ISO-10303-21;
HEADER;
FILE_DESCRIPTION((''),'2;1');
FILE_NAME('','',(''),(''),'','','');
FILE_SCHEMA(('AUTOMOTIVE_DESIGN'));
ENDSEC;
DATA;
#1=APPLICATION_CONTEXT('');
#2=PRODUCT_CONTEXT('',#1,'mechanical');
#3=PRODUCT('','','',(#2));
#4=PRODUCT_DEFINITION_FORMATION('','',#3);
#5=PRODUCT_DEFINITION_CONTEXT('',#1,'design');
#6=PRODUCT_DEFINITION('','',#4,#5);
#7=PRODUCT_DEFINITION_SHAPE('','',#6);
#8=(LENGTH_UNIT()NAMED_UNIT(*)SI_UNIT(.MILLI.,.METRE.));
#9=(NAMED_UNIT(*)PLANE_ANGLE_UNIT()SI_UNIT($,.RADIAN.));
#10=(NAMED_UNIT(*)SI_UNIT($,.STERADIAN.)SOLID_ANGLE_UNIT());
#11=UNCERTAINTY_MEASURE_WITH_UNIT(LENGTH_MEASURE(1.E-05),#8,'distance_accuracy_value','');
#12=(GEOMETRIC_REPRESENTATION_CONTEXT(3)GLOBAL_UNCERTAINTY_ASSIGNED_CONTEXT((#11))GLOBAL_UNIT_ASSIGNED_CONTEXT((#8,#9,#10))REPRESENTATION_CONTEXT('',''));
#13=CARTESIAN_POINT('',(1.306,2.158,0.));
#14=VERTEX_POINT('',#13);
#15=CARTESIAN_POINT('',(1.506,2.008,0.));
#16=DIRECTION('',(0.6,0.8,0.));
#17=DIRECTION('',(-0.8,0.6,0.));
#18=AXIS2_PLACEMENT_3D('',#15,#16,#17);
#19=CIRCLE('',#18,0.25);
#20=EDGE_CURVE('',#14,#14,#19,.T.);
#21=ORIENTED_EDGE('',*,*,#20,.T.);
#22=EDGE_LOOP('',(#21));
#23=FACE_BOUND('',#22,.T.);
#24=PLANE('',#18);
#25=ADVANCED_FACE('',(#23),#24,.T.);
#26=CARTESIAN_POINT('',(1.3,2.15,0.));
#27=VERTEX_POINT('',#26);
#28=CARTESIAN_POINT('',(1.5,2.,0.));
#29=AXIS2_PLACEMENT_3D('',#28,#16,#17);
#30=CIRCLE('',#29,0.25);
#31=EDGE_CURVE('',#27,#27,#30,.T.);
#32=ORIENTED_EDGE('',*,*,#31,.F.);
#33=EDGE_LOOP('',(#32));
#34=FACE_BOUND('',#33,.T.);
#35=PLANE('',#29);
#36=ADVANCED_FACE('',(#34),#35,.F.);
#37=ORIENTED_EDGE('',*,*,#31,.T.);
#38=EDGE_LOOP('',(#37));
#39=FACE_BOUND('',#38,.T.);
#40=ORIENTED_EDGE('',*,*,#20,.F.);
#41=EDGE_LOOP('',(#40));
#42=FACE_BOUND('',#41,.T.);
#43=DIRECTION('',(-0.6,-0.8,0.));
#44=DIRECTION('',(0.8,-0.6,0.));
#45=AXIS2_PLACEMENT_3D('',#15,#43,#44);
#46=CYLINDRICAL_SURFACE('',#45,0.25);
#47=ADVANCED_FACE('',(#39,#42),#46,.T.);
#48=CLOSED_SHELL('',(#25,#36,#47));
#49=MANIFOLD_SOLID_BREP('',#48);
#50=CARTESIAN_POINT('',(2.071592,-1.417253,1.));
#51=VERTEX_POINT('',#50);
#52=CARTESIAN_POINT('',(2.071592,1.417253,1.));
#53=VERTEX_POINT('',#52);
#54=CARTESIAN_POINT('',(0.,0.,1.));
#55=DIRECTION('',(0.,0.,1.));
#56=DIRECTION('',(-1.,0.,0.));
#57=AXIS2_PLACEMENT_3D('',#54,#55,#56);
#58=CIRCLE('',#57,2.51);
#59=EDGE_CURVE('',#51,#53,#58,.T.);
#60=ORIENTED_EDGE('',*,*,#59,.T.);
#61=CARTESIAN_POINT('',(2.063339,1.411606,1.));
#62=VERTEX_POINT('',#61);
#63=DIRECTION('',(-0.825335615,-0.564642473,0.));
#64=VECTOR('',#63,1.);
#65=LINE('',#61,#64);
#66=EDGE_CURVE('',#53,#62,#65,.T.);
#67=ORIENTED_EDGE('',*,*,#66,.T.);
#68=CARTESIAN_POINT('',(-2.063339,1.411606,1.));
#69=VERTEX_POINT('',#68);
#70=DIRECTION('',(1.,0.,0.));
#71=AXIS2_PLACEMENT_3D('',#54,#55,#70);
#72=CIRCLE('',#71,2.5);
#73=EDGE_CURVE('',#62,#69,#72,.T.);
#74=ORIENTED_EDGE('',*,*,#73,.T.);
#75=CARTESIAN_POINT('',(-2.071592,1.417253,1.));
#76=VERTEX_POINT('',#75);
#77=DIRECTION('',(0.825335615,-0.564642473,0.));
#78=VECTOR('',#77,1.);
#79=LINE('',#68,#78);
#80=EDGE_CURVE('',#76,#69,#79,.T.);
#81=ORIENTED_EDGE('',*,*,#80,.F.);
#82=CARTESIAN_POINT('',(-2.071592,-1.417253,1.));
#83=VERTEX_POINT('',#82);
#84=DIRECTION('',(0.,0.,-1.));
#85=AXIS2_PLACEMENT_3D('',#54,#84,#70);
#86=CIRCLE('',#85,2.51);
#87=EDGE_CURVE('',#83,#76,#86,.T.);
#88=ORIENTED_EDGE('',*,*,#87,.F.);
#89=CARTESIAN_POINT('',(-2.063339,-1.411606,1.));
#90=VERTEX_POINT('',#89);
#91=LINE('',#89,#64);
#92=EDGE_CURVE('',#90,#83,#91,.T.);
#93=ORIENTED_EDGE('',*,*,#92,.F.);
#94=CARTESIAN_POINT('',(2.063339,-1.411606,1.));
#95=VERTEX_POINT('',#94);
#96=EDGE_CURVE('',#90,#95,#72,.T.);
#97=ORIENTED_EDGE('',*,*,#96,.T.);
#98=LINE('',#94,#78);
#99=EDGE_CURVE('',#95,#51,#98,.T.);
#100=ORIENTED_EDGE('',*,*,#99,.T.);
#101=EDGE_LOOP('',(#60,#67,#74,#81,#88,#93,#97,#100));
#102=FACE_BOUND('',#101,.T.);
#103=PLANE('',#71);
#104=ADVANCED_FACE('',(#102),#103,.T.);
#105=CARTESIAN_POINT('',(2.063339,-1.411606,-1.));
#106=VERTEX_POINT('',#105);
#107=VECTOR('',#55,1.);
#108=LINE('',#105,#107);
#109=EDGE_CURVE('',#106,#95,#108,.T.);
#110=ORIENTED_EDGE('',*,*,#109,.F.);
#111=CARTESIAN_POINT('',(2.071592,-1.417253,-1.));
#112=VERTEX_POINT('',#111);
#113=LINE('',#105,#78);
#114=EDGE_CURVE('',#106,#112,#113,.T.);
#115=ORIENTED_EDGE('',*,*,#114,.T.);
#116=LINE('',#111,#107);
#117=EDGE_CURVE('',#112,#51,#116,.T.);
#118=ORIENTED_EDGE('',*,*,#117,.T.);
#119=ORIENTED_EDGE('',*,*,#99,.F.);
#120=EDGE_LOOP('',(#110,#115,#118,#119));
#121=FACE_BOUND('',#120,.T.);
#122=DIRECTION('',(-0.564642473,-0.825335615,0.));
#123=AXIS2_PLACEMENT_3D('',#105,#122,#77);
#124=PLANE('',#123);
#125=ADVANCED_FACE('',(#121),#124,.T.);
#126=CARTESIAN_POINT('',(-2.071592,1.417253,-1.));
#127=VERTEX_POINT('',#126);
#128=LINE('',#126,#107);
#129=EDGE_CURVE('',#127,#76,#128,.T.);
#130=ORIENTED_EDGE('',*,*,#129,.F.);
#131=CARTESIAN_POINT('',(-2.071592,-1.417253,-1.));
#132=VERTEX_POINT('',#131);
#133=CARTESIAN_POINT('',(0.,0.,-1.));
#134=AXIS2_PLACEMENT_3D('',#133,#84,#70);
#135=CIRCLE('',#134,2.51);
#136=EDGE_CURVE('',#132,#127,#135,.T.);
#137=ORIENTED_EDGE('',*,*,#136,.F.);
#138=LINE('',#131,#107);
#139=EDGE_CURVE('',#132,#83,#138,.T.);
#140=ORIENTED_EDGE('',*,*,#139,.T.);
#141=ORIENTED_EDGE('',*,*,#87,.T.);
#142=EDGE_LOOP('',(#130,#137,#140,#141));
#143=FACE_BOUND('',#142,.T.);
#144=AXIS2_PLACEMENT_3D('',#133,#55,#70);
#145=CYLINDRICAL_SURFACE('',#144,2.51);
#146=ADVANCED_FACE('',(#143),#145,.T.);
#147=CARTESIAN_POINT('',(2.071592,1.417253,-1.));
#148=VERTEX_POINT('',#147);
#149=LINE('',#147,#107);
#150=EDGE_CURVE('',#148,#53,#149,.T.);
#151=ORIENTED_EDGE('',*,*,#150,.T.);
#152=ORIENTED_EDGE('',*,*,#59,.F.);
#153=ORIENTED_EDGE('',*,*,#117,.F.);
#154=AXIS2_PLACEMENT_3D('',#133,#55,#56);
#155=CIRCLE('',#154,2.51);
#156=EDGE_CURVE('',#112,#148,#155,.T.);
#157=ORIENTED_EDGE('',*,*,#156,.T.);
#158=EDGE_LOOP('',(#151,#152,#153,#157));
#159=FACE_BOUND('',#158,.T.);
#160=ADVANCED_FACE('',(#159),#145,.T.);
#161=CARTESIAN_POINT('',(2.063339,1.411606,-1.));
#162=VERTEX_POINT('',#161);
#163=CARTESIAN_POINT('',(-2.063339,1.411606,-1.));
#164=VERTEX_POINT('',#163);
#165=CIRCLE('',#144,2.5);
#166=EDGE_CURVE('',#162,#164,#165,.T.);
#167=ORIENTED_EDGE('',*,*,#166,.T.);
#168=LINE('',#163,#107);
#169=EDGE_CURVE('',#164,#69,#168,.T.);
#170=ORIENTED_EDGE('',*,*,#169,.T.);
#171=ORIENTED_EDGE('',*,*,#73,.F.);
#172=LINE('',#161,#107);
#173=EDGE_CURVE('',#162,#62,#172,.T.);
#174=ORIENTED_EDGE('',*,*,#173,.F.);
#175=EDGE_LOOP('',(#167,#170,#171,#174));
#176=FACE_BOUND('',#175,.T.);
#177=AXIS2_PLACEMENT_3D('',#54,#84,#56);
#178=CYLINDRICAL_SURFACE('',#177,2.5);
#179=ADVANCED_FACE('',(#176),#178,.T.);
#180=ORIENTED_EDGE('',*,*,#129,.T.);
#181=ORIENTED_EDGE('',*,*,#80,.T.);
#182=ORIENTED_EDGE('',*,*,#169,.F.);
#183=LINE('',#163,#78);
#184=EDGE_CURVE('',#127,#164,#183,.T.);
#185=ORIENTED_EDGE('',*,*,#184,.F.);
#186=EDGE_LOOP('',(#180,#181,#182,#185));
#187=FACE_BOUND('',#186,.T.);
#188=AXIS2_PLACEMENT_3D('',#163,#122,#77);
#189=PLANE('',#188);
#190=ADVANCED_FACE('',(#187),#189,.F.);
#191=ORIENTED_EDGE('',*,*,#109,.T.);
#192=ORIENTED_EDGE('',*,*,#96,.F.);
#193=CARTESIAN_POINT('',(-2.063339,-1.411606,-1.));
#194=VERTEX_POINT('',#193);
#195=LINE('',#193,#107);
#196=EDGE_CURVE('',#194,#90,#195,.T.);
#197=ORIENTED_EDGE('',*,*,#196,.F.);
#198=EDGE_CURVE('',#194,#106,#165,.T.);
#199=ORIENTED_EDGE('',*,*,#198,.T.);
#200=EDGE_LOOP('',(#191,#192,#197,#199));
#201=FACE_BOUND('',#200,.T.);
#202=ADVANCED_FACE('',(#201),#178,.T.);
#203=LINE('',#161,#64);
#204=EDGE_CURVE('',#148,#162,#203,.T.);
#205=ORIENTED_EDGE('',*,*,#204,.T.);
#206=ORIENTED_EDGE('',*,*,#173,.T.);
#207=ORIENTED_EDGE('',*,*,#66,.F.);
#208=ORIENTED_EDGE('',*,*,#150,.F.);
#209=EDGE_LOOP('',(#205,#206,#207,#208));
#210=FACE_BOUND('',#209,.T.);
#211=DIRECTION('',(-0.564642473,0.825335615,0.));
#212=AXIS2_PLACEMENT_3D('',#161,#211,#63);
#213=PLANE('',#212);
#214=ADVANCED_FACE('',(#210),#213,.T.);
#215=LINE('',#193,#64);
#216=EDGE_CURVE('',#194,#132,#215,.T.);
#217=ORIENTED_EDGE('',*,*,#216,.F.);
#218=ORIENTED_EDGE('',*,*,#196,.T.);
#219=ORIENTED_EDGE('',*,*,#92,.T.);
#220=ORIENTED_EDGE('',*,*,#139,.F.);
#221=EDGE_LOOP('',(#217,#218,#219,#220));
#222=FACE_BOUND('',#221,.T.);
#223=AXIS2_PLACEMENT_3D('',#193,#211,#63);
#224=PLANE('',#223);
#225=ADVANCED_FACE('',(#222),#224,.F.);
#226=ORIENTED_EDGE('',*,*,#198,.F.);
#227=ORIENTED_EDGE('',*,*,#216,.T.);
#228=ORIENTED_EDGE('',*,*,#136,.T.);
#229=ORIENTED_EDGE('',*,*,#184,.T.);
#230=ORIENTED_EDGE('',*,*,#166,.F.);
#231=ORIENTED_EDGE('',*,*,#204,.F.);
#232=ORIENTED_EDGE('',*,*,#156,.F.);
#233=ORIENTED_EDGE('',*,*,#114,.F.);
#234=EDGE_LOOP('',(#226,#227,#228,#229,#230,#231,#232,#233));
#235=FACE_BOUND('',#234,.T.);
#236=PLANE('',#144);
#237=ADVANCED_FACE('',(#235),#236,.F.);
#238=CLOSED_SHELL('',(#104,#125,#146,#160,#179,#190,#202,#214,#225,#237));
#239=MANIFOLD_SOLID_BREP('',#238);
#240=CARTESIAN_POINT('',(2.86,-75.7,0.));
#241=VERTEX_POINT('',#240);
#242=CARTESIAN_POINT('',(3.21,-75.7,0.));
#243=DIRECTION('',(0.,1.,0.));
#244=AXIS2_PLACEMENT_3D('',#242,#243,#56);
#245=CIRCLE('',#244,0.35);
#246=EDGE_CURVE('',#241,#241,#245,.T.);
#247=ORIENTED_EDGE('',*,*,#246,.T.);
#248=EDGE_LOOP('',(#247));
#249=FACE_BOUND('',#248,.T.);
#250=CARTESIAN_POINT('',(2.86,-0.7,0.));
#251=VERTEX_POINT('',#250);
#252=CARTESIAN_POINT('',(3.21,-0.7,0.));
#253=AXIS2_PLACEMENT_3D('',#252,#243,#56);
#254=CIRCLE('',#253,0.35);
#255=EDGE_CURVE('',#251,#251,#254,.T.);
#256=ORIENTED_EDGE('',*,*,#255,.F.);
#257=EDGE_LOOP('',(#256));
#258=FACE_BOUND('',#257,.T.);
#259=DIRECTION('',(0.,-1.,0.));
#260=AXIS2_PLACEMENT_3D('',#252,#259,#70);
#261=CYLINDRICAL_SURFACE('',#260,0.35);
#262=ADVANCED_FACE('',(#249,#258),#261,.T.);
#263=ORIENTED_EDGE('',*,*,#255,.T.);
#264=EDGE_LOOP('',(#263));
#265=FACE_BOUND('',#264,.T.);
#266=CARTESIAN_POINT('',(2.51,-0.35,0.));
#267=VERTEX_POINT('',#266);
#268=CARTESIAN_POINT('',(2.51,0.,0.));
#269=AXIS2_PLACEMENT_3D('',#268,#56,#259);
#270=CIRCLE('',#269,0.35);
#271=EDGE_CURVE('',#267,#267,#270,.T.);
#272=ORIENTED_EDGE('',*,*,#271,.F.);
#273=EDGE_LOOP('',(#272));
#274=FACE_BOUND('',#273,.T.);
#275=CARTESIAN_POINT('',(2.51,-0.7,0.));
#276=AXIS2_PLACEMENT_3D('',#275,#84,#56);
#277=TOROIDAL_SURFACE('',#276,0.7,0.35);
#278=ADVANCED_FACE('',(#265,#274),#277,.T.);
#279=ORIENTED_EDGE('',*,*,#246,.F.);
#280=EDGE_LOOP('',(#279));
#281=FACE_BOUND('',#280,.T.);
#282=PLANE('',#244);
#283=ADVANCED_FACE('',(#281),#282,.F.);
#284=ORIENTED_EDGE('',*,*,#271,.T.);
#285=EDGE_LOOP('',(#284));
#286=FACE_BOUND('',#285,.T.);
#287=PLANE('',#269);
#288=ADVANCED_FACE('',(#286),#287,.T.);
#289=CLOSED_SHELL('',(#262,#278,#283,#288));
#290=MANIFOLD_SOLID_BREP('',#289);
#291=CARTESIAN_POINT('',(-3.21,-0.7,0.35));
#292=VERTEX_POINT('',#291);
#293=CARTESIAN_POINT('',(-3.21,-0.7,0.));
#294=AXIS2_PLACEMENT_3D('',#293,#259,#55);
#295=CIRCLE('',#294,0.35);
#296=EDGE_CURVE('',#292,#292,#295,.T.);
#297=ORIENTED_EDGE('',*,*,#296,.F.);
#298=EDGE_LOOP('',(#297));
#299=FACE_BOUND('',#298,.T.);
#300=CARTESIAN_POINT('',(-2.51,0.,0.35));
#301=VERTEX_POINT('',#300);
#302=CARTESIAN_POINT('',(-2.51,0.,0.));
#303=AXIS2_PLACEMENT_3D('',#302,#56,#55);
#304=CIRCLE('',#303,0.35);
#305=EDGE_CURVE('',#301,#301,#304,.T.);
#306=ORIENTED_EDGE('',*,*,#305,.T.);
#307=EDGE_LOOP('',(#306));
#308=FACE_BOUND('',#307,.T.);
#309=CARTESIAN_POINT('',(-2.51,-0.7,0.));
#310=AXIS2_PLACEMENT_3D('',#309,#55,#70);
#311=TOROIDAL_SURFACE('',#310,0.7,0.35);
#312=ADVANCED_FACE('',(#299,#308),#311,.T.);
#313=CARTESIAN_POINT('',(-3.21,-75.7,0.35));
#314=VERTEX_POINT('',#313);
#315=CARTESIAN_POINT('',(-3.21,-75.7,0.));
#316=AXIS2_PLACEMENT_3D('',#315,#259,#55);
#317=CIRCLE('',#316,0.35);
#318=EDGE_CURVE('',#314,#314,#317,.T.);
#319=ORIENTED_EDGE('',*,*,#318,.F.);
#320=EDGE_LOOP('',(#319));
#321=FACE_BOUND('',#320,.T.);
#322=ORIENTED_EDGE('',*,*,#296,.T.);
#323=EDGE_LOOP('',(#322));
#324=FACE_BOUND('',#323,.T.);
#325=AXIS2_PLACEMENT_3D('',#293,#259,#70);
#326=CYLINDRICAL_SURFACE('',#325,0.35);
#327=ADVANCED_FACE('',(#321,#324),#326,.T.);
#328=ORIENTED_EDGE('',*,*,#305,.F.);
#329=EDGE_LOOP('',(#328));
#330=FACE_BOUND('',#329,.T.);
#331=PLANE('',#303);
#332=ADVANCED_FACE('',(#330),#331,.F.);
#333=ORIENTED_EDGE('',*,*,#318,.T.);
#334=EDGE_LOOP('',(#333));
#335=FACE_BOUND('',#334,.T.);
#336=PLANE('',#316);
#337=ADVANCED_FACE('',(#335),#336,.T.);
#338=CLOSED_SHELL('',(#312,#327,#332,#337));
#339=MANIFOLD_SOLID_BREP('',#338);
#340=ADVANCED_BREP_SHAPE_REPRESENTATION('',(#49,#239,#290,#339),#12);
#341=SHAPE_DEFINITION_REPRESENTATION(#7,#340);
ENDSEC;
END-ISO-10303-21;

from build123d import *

# Parameters (mm, degrees)
SKETCH1_R           = 2.5
BOSS_EXTRUDE3_DEPTH = 1
BOSS_EXTRUDE4_DEPTH = 2
SKETCH12_4_R        = 0.25
BOSS_EXTRUDE5_DEPTH = 0.01
SWEEP20_PROFILE_R   = 0.35
SWEEP21_PROFILE_R   = 0.35


with BuildPart() as part:
    # Sketch1 → Boss-Extrude3 (new body, symmetric)
    with BuildSketch(Plane.XY):
        Circle(SKETCH1_R)
    extrude(amount=BOSS_EXTRUDE3_DEPTH, both=True)

    # Sketch2 → Boss-Extrude4 (add)
    with BuildSketch(Plane.XY.offset(1)):
        with BuildLine():
            Line((2.063339037, 1.411606183), (2.071592393, 1.417252608))
            ThreePointArc((2.071592393, 1.417252608), (2.51, 0), (2.071592393, -1.417252608))
            Line((2.071592393, -1.417252608), (2.063339037, -1.411606183))
            ThreePointArc((2.063339037, -1.411606183), (2.5, 0), (2.063339037, 1.411606183))
        make_face()
    boss_extrude4 = extrude(amount=-BOSS_EXTRUDE4_DEPTH)

    # Mirror1: Boss-Extrude4 across plane
    add(boss_extrude4.mirror(Plane(origin=(0, 0, 0), x_dir=(0, 0, 1), z_dir=(1, 0, 0))))


with BuildPart() as body_2:
    # Sketch12_4 → Boss-Extrude5 (new body)
    with BuildSketch(Plane(origin=(1.5, 2, 0), x_dir=(0.8, -0.6, 0), z_dir=(0.6, 0.8, 0))):
        with Locations(Location((0, 0, 0), (0, 0, 180))):  # turned: the seam where the file's is
            Circle(SKETCH12_4_R)
    extrude(amount=BOSS_EXTRUDE5_DEPTH)


with BuildPart() as body_3:
    # Sweep20: sweep along a path in Sketch14
    with BuildLine(Plane.XY) as sweep20_path:
        Line((3.21, -75.7), (3.21, -0.7))
        ThreePointArc((3.21, -0.7), (3.004974747, -0.205025253), (2.51, 0))
    # Sweep20 profile (on start of the path) → Sweep20 (sweep)
    with BuildSketch(Plane(origin=(3.21, -75.7, 0), x_dir=(1, 0, 0), z_dir=(0, 1, 0))):
        Circle(SWEEP20_PROFILE_R)
    sweep(path=sweep20_path.line)


with BuildPart() as body_4:
    # Sweep21: sweep along a path in Sketch157
    with BuildLine(Plane(origin=(0, 0, 0), x_dir=(-1, 0, 0), z_dir=(0, 0, -1))) as sweep21_path:
        Line((3.21, -75.7), (3.21, -0.7))
        ThreePointArc((3.21, -0.7), (3.004974747, -0.205025253), (2.51, 0))
    # Sweep21 profile (on start of the path) → Sweep21 (sweep)
    with BuildSketch(Plane(origin=(-3.21, -75.7, 0), x_dir=(1, 0, 0), z_dir=(0, 1, 0))):
        Circle(SWEEP21_PROFILE_R)
    sweep(path=sweep21_path.line)


solid = Compound([part.part, body_2.part, body_3.part, body_4.part])
